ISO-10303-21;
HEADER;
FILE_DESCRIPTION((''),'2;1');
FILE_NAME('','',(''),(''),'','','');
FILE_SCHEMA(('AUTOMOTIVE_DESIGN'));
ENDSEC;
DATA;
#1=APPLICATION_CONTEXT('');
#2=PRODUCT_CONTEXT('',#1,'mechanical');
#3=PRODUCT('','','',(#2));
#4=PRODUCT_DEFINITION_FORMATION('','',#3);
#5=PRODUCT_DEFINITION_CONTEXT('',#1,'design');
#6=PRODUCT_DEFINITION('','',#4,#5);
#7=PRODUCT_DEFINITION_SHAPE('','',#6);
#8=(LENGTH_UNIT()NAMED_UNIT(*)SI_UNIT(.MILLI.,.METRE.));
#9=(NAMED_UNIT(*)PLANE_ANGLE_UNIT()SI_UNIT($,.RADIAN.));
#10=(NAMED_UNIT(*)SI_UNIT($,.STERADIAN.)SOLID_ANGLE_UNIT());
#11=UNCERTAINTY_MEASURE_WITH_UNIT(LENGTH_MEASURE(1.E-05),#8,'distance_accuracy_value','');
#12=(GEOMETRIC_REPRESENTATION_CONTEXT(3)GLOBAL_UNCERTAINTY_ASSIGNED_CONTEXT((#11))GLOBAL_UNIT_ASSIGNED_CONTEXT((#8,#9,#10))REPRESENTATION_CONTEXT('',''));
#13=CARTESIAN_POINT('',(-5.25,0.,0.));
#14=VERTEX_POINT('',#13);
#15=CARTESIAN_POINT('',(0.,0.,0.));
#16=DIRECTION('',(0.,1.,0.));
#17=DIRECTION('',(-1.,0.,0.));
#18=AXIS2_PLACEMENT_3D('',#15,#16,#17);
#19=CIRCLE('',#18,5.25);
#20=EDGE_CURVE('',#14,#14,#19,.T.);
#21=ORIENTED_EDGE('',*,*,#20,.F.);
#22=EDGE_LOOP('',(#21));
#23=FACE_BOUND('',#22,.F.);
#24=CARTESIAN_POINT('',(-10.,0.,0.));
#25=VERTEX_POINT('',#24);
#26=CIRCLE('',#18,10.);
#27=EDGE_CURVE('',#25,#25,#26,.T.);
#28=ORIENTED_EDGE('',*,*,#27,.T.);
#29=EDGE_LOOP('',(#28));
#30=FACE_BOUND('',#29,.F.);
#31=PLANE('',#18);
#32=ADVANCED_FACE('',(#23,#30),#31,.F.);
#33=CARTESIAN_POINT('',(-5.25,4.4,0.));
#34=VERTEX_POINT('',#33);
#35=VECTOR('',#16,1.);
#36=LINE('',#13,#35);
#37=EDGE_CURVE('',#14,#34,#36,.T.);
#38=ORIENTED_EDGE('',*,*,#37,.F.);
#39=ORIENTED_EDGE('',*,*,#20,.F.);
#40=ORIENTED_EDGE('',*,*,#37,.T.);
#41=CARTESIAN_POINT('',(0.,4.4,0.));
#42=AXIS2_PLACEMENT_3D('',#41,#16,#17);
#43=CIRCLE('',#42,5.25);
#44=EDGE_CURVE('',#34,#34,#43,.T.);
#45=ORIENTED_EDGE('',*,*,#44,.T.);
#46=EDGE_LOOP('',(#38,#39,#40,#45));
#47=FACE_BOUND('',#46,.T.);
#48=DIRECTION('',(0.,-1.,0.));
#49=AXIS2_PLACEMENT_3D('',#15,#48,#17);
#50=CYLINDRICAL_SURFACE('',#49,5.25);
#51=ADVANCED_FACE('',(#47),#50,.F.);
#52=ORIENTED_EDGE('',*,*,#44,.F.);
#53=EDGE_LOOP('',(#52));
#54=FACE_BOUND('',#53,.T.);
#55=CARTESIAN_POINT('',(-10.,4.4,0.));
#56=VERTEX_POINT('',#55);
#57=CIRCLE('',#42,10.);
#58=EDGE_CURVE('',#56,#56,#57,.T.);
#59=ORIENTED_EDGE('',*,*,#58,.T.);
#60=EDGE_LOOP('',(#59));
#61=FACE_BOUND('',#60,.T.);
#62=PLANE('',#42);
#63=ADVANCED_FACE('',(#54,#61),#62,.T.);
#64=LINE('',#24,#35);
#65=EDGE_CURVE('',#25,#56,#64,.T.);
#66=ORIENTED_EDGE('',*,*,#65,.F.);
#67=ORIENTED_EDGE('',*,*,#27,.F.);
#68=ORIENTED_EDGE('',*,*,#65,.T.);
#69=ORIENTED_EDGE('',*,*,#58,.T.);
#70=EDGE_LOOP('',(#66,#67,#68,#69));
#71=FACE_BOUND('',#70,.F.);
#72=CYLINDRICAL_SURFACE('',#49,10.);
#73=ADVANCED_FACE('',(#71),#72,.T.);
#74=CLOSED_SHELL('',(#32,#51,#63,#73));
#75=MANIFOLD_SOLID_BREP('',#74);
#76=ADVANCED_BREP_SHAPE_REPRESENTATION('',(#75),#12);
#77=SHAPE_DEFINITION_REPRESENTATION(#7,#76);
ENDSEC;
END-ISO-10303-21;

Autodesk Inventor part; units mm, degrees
ref_plane "YZ Plane" through (0, 0, 0) normal (1, 0, 0) x (0, 1, 0)
ref_plane "XZ Plane" through (0, 0, 0) normal (0, 1, 0) x (-1, 0, 0)
ref_plane "XY Plane" through (0, 0, 0) normal (0, 0, 1) x (1, 0, 0)
sketch "スケッチ2" plane through (0, 0, 0) normal (0, 1, 0) x (-1, 0, 0)
  circle A0 centre (0, 0) radius 5.25
  circle A1 centre (0, 0) radius 10
  dimension "d0" = 10.5
  dimension "d1" = 20
extrude "押し出し1" add sketch "スケッチ2" along normal blind 4.4
properties part number "shoulder1_shaftholder_spacer_bottom"
